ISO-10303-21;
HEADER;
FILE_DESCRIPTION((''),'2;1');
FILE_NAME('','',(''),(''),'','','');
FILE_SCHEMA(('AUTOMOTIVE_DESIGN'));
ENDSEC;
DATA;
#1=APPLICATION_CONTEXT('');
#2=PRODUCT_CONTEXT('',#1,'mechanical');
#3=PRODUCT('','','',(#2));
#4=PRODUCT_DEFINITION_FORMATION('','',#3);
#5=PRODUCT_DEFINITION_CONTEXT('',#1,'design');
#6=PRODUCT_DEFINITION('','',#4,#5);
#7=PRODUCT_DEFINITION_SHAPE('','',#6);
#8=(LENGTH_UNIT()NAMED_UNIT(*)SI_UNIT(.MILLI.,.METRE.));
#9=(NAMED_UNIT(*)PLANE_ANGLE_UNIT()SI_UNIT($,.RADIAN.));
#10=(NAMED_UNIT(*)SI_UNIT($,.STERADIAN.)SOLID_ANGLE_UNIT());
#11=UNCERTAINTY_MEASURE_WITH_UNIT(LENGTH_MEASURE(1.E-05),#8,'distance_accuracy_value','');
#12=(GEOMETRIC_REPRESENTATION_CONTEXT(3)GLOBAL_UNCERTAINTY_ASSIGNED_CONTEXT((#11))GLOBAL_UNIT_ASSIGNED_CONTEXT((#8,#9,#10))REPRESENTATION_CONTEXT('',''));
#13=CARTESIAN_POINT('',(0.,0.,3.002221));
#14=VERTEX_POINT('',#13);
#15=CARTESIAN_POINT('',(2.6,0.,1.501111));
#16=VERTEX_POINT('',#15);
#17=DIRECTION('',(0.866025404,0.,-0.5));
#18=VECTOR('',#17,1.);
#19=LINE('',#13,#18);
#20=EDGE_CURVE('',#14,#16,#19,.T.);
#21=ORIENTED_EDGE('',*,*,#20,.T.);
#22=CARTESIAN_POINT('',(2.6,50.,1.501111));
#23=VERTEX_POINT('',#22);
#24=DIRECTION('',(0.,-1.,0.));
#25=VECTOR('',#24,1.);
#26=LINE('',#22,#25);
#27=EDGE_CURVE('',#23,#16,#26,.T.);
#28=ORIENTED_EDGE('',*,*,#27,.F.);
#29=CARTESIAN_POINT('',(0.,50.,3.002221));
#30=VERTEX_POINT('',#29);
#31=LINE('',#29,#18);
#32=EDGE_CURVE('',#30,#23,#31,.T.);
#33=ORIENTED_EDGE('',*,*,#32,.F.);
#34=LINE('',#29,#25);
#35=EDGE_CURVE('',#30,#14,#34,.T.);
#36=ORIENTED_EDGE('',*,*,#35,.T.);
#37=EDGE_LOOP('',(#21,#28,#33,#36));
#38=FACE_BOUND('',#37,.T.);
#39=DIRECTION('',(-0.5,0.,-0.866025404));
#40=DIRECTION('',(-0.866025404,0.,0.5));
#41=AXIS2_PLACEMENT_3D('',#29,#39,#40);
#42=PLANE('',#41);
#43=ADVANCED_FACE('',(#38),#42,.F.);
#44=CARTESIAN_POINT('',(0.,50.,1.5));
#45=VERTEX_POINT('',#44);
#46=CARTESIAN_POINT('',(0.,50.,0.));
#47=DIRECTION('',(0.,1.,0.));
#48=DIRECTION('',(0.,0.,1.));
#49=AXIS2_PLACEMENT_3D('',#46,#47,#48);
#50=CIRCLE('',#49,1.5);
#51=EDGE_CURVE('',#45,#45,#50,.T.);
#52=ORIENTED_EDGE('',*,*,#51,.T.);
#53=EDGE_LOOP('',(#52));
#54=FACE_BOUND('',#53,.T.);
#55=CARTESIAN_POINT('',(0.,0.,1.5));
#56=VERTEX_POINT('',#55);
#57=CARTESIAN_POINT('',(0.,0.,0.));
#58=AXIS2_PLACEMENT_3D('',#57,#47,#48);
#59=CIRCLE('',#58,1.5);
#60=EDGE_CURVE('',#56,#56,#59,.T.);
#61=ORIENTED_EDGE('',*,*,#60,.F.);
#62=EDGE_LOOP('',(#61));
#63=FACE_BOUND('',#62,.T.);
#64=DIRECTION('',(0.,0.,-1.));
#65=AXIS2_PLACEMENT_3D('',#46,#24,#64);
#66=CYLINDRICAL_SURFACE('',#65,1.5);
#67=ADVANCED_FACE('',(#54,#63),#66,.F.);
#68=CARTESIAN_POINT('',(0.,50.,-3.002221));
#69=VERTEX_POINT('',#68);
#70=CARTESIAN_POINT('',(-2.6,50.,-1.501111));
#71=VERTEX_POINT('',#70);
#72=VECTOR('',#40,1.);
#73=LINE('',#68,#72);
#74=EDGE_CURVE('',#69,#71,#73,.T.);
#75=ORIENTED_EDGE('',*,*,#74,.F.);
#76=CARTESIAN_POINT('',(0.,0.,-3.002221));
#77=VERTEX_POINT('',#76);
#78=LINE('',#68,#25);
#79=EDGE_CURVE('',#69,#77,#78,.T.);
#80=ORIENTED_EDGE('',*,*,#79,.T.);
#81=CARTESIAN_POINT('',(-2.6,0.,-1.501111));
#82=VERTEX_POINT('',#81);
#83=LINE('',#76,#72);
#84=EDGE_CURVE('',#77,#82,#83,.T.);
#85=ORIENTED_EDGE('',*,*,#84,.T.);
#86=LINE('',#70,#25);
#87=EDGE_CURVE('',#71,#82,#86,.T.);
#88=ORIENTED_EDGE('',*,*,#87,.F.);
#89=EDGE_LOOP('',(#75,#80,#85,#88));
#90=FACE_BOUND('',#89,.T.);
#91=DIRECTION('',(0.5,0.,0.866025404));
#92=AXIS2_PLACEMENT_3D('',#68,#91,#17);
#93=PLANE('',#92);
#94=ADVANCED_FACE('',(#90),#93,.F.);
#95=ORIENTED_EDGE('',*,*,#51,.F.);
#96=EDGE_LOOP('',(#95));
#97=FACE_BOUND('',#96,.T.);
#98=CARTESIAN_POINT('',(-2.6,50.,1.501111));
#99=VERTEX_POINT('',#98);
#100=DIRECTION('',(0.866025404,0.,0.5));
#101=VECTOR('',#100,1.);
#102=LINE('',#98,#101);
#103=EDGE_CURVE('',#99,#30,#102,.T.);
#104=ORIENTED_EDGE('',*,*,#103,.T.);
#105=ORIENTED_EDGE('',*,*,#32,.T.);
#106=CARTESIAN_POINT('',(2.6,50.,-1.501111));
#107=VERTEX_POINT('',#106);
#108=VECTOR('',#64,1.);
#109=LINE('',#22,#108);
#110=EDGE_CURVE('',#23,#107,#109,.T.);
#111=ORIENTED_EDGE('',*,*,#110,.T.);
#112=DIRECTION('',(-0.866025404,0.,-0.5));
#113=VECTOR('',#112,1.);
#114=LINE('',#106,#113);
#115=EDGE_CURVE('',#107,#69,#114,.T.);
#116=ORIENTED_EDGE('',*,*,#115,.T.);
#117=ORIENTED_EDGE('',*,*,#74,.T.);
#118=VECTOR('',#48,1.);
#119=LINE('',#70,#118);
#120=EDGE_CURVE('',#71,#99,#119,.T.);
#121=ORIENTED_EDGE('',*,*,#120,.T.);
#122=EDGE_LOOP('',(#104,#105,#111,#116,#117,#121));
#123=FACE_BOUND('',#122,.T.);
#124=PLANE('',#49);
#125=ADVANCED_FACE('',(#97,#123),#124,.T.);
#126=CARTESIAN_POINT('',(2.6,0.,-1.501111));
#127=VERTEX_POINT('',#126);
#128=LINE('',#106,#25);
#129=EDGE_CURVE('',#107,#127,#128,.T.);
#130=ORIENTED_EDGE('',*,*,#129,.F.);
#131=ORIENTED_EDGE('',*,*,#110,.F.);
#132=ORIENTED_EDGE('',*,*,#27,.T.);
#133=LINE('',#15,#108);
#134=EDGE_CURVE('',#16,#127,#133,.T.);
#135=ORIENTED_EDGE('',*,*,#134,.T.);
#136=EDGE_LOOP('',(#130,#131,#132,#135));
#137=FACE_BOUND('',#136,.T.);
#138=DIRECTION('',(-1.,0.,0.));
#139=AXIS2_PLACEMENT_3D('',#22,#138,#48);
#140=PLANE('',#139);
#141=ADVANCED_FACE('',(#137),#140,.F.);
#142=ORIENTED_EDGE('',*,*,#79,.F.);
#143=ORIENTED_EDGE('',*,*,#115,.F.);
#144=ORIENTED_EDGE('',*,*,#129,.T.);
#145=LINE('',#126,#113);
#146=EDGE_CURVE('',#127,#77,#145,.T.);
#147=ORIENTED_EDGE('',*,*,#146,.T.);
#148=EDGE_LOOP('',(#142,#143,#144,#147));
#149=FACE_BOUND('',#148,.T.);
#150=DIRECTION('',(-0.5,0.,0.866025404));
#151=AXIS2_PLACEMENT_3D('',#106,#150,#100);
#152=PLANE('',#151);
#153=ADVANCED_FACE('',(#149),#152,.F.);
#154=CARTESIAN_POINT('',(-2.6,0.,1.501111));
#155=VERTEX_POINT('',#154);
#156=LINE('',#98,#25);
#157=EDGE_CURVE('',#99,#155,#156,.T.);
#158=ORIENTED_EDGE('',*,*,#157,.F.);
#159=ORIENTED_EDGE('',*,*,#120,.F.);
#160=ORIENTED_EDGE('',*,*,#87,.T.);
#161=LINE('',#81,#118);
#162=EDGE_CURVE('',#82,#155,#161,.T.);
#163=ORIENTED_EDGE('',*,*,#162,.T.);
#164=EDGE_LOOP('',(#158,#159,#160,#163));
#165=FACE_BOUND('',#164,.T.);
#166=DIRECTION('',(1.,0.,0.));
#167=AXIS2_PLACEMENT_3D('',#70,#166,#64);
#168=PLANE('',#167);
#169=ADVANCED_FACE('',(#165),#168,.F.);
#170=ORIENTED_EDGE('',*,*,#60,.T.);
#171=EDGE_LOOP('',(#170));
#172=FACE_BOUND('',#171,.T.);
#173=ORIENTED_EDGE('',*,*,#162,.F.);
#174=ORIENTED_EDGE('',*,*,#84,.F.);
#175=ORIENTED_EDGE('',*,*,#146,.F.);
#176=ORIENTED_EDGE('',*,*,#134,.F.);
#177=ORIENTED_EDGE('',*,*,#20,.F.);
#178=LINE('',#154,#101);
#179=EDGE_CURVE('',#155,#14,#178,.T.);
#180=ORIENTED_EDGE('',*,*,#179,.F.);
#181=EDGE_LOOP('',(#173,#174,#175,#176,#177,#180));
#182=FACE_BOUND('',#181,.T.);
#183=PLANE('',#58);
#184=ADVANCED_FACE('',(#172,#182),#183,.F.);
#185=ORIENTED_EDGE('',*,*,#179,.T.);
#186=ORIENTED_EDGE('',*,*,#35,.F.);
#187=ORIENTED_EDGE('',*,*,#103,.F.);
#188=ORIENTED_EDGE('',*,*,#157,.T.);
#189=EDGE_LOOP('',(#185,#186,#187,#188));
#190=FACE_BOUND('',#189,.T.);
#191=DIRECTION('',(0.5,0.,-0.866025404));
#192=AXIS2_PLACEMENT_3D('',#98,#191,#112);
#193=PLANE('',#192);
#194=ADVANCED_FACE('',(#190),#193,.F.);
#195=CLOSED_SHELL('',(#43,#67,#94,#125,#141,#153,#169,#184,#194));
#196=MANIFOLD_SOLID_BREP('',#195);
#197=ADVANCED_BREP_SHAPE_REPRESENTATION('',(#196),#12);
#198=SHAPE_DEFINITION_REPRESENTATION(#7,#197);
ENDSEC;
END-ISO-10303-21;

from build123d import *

# Parameters (mm, degrees)
SKETCH1_R           = 1.5
BOSS_EXTRUDE2_DEPTH = 50


with BuildPart() as part:
    # Sketch1 → Boss-Extrude2 (new body)
    with BuildSketch(Plane(origin=(0, 0, 0), x_dir=(1, 0, 0), z_dir=(0, 1, 0))):
        Polygon((0, 3.0022214), (-2.6, 1.5011107), (-2.6, -1.5011107), (0, -3.0022214), (2.6, -1.5011107), (2.6, 1.5011107), align=None)
        Circle(SKETCH1_R, mode=Mode.SUBTRACT)
    extrude(amount=BOSS_EXTRUDE2_DEPTH)


solid = part.part
